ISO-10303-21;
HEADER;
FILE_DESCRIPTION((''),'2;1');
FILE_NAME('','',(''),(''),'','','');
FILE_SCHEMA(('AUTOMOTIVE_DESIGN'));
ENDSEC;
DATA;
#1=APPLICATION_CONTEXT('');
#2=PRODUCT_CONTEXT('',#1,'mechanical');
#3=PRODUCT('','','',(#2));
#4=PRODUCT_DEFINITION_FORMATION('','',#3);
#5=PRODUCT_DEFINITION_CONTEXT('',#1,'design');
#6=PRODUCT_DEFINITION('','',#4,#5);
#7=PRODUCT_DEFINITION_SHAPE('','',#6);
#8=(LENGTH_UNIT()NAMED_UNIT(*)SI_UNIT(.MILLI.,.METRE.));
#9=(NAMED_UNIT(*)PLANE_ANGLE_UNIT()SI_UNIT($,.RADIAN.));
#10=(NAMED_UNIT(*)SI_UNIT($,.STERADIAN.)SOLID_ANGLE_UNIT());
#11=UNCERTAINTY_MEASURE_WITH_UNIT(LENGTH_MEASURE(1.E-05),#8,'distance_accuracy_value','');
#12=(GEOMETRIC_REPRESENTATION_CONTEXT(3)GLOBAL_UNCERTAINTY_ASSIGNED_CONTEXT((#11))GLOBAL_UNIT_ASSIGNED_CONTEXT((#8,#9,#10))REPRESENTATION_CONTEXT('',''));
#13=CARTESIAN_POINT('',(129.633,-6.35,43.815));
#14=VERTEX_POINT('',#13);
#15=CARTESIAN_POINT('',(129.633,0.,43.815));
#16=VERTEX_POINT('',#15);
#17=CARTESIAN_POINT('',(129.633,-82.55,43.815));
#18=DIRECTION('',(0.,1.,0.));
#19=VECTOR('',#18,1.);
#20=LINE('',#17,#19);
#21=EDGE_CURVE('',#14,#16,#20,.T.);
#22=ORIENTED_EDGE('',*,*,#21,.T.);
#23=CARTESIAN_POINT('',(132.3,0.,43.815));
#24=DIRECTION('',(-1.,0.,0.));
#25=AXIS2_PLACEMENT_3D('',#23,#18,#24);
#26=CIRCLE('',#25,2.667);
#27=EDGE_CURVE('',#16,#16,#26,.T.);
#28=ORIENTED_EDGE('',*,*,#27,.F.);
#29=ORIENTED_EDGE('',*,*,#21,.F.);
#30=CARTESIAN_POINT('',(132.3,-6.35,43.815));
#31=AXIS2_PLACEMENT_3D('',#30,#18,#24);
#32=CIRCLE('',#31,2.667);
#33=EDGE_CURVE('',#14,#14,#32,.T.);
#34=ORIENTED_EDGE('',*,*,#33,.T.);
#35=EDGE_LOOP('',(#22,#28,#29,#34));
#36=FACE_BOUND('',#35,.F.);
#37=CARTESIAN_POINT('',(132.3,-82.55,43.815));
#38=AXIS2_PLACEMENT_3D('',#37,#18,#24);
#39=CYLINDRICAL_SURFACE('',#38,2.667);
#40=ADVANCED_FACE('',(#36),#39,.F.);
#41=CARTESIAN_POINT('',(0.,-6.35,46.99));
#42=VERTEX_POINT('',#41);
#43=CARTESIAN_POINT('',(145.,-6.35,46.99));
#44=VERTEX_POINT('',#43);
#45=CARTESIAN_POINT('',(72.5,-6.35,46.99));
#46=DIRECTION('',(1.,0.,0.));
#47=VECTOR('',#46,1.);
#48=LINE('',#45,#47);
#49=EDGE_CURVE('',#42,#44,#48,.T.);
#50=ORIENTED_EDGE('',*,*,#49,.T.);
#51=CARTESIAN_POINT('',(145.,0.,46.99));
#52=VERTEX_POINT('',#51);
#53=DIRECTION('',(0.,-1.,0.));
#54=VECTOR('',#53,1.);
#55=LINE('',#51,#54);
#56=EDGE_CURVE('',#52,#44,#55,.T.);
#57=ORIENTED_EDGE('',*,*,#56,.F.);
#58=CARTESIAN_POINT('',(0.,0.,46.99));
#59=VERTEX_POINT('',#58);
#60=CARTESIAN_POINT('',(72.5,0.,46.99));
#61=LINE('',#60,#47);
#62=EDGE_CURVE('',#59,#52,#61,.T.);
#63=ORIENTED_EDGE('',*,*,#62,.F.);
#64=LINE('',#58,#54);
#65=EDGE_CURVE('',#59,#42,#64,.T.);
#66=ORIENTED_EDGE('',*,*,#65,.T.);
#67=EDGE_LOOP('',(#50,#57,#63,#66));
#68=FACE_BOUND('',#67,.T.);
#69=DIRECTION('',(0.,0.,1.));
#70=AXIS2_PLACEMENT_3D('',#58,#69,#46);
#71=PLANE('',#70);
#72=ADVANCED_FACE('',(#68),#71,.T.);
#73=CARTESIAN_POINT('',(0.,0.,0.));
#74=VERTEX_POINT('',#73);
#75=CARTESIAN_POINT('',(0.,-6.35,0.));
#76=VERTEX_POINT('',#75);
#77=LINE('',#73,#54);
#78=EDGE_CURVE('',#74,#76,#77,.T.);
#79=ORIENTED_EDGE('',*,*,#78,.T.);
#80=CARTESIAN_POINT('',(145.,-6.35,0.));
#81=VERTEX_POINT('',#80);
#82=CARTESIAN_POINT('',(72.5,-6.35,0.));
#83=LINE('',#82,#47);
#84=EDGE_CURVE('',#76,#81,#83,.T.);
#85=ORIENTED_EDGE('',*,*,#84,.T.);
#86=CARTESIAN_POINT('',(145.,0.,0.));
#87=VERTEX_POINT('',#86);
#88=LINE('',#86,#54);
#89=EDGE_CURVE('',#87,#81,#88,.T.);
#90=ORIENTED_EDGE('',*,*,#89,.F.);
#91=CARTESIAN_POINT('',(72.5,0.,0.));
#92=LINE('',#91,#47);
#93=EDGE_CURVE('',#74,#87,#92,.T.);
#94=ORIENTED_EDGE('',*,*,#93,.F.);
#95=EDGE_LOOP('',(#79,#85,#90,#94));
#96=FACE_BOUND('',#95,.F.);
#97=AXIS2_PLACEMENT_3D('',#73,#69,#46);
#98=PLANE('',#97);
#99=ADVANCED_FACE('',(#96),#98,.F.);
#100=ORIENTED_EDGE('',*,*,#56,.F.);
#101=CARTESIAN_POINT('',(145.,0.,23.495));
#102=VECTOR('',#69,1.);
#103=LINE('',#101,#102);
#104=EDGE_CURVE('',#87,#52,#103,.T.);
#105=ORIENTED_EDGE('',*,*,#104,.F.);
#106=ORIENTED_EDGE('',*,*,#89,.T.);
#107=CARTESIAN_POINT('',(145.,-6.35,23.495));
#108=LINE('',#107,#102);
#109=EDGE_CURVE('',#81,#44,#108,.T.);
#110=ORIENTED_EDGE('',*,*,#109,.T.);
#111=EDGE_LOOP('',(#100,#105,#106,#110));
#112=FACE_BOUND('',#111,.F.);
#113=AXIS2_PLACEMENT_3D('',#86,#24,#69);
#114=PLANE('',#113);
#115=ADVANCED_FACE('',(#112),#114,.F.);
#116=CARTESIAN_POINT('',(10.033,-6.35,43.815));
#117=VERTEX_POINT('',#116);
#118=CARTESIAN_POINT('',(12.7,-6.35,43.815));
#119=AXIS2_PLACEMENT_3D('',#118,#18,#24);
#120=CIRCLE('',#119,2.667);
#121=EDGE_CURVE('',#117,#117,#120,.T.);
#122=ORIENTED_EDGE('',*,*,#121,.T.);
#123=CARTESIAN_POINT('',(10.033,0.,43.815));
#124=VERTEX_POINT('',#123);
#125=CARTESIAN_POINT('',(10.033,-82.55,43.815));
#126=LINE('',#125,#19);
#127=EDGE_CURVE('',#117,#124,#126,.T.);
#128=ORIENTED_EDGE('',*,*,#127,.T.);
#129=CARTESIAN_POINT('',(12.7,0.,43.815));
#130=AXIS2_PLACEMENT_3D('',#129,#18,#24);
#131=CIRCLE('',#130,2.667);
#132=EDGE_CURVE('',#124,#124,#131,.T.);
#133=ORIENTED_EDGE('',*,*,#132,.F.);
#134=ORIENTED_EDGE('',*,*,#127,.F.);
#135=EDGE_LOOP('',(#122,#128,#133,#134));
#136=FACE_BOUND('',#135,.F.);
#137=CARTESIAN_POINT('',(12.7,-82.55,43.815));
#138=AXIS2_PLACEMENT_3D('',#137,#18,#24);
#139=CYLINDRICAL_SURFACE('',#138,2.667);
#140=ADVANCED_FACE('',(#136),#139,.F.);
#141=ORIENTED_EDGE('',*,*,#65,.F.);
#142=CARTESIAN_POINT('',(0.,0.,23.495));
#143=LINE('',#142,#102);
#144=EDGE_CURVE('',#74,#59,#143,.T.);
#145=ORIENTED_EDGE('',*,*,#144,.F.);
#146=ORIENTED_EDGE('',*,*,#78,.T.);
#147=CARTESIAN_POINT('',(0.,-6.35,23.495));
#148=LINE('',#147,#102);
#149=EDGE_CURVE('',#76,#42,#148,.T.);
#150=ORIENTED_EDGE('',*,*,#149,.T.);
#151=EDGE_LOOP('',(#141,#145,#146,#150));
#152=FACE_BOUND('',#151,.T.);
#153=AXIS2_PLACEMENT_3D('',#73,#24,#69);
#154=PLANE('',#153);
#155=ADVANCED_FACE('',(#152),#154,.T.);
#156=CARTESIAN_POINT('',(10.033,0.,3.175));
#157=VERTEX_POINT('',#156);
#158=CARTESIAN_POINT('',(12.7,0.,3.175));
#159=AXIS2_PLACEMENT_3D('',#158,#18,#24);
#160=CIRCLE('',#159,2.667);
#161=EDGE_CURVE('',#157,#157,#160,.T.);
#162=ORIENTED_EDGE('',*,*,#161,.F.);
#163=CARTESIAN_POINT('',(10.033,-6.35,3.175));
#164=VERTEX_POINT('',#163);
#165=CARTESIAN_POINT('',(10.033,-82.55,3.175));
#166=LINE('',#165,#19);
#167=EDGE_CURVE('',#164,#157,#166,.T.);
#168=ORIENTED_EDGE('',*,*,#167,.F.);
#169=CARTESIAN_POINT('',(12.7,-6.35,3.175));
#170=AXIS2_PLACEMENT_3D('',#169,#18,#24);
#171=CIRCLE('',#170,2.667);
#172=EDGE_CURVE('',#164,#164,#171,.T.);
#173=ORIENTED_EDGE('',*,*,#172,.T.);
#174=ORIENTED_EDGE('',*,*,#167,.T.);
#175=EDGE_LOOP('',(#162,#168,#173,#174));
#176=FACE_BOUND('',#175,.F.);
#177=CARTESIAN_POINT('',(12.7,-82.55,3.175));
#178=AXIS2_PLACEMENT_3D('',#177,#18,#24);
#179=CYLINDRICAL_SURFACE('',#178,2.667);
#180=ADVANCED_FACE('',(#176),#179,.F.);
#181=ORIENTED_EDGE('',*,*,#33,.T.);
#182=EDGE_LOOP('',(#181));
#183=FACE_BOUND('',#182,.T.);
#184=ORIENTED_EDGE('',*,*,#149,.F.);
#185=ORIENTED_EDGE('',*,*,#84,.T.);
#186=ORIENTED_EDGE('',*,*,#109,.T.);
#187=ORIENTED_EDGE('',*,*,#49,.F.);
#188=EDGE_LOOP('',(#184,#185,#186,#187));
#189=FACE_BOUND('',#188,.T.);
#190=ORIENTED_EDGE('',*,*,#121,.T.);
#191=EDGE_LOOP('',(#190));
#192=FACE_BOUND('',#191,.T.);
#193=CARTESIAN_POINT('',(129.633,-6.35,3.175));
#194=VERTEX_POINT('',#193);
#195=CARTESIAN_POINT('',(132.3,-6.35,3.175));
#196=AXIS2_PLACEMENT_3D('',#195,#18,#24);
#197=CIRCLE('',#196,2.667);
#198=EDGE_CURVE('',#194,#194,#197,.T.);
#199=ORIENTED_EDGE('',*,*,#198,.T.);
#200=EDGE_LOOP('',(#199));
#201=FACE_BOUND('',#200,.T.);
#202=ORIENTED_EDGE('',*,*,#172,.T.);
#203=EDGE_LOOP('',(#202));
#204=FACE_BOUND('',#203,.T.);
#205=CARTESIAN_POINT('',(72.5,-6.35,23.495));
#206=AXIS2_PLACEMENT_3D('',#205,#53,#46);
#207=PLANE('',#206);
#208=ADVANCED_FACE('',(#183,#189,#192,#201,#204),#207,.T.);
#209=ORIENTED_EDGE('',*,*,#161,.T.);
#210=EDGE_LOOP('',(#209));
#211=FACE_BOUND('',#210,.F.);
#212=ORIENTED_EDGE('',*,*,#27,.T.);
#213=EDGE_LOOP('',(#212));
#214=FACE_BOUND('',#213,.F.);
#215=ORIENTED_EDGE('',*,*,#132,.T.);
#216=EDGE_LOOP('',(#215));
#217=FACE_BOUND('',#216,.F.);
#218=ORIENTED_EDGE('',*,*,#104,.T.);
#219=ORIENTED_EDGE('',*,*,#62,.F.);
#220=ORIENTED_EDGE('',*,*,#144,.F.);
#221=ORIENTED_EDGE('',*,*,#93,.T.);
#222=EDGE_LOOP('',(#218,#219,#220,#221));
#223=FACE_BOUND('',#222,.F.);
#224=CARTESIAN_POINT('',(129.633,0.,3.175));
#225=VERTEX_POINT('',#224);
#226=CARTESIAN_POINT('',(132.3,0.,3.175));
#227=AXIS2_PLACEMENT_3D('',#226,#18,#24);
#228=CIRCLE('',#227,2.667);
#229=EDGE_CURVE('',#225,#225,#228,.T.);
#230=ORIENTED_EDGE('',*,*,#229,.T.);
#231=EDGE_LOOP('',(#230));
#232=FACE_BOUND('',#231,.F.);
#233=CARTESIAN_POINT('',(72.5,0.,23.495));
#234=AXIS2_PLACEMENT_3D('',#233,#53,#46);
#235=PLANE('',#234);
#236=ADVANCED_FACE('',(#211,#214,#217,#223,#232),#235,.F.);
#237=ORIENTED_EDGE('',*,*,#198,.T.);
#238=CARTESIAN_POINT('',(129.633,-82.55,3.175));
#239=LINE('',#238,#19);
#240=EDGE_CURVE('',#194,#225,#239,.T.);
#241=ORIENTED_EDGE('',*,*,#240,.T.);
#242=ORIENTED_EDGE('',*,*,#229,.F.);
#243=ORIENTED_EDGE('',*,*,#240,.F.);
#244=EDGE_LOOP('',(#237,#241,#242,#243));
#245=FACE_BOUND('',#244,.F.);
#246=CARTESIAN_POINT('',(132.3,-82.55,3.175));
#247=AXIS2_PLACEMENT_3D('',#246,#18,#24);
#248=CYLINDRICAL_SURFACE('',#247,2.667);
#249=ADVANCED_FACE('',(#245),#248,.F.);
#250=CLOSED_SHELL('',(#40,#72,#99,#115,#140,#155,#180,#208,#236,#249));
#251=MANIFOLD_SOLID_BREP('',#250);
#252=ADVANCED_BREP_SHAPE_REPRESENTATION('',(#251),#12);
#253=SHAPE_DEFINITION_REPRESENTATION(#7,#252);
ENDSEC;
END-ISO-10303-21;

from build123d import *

# Parameters (mm, degrees)
F0_W     = 145
F0_H     = 46.99
F1_DEPTH = 6.35
F3_D     = 5.334
F3_DEPTH = 76.2


with BuildPart() as f1:
    # F0 (on Front) → F1 (new body)
    with BuildSketch(Plane.XZ):
        with Locations((72.5, 23.495)):
            Rectangle(F0_W, F0_H)
    extrude(amount=F1_DEPTH)

    # F3
    with Locations(Plane.XZ.offset(6.35)):
        with Locations((12.7, 43.815), (132.3, 43.815), (12.7, 3.175), (132.3, 3.175)):
            Hole(F3_D / 2, depth=F3_DEPTH)


solid = f1.part
